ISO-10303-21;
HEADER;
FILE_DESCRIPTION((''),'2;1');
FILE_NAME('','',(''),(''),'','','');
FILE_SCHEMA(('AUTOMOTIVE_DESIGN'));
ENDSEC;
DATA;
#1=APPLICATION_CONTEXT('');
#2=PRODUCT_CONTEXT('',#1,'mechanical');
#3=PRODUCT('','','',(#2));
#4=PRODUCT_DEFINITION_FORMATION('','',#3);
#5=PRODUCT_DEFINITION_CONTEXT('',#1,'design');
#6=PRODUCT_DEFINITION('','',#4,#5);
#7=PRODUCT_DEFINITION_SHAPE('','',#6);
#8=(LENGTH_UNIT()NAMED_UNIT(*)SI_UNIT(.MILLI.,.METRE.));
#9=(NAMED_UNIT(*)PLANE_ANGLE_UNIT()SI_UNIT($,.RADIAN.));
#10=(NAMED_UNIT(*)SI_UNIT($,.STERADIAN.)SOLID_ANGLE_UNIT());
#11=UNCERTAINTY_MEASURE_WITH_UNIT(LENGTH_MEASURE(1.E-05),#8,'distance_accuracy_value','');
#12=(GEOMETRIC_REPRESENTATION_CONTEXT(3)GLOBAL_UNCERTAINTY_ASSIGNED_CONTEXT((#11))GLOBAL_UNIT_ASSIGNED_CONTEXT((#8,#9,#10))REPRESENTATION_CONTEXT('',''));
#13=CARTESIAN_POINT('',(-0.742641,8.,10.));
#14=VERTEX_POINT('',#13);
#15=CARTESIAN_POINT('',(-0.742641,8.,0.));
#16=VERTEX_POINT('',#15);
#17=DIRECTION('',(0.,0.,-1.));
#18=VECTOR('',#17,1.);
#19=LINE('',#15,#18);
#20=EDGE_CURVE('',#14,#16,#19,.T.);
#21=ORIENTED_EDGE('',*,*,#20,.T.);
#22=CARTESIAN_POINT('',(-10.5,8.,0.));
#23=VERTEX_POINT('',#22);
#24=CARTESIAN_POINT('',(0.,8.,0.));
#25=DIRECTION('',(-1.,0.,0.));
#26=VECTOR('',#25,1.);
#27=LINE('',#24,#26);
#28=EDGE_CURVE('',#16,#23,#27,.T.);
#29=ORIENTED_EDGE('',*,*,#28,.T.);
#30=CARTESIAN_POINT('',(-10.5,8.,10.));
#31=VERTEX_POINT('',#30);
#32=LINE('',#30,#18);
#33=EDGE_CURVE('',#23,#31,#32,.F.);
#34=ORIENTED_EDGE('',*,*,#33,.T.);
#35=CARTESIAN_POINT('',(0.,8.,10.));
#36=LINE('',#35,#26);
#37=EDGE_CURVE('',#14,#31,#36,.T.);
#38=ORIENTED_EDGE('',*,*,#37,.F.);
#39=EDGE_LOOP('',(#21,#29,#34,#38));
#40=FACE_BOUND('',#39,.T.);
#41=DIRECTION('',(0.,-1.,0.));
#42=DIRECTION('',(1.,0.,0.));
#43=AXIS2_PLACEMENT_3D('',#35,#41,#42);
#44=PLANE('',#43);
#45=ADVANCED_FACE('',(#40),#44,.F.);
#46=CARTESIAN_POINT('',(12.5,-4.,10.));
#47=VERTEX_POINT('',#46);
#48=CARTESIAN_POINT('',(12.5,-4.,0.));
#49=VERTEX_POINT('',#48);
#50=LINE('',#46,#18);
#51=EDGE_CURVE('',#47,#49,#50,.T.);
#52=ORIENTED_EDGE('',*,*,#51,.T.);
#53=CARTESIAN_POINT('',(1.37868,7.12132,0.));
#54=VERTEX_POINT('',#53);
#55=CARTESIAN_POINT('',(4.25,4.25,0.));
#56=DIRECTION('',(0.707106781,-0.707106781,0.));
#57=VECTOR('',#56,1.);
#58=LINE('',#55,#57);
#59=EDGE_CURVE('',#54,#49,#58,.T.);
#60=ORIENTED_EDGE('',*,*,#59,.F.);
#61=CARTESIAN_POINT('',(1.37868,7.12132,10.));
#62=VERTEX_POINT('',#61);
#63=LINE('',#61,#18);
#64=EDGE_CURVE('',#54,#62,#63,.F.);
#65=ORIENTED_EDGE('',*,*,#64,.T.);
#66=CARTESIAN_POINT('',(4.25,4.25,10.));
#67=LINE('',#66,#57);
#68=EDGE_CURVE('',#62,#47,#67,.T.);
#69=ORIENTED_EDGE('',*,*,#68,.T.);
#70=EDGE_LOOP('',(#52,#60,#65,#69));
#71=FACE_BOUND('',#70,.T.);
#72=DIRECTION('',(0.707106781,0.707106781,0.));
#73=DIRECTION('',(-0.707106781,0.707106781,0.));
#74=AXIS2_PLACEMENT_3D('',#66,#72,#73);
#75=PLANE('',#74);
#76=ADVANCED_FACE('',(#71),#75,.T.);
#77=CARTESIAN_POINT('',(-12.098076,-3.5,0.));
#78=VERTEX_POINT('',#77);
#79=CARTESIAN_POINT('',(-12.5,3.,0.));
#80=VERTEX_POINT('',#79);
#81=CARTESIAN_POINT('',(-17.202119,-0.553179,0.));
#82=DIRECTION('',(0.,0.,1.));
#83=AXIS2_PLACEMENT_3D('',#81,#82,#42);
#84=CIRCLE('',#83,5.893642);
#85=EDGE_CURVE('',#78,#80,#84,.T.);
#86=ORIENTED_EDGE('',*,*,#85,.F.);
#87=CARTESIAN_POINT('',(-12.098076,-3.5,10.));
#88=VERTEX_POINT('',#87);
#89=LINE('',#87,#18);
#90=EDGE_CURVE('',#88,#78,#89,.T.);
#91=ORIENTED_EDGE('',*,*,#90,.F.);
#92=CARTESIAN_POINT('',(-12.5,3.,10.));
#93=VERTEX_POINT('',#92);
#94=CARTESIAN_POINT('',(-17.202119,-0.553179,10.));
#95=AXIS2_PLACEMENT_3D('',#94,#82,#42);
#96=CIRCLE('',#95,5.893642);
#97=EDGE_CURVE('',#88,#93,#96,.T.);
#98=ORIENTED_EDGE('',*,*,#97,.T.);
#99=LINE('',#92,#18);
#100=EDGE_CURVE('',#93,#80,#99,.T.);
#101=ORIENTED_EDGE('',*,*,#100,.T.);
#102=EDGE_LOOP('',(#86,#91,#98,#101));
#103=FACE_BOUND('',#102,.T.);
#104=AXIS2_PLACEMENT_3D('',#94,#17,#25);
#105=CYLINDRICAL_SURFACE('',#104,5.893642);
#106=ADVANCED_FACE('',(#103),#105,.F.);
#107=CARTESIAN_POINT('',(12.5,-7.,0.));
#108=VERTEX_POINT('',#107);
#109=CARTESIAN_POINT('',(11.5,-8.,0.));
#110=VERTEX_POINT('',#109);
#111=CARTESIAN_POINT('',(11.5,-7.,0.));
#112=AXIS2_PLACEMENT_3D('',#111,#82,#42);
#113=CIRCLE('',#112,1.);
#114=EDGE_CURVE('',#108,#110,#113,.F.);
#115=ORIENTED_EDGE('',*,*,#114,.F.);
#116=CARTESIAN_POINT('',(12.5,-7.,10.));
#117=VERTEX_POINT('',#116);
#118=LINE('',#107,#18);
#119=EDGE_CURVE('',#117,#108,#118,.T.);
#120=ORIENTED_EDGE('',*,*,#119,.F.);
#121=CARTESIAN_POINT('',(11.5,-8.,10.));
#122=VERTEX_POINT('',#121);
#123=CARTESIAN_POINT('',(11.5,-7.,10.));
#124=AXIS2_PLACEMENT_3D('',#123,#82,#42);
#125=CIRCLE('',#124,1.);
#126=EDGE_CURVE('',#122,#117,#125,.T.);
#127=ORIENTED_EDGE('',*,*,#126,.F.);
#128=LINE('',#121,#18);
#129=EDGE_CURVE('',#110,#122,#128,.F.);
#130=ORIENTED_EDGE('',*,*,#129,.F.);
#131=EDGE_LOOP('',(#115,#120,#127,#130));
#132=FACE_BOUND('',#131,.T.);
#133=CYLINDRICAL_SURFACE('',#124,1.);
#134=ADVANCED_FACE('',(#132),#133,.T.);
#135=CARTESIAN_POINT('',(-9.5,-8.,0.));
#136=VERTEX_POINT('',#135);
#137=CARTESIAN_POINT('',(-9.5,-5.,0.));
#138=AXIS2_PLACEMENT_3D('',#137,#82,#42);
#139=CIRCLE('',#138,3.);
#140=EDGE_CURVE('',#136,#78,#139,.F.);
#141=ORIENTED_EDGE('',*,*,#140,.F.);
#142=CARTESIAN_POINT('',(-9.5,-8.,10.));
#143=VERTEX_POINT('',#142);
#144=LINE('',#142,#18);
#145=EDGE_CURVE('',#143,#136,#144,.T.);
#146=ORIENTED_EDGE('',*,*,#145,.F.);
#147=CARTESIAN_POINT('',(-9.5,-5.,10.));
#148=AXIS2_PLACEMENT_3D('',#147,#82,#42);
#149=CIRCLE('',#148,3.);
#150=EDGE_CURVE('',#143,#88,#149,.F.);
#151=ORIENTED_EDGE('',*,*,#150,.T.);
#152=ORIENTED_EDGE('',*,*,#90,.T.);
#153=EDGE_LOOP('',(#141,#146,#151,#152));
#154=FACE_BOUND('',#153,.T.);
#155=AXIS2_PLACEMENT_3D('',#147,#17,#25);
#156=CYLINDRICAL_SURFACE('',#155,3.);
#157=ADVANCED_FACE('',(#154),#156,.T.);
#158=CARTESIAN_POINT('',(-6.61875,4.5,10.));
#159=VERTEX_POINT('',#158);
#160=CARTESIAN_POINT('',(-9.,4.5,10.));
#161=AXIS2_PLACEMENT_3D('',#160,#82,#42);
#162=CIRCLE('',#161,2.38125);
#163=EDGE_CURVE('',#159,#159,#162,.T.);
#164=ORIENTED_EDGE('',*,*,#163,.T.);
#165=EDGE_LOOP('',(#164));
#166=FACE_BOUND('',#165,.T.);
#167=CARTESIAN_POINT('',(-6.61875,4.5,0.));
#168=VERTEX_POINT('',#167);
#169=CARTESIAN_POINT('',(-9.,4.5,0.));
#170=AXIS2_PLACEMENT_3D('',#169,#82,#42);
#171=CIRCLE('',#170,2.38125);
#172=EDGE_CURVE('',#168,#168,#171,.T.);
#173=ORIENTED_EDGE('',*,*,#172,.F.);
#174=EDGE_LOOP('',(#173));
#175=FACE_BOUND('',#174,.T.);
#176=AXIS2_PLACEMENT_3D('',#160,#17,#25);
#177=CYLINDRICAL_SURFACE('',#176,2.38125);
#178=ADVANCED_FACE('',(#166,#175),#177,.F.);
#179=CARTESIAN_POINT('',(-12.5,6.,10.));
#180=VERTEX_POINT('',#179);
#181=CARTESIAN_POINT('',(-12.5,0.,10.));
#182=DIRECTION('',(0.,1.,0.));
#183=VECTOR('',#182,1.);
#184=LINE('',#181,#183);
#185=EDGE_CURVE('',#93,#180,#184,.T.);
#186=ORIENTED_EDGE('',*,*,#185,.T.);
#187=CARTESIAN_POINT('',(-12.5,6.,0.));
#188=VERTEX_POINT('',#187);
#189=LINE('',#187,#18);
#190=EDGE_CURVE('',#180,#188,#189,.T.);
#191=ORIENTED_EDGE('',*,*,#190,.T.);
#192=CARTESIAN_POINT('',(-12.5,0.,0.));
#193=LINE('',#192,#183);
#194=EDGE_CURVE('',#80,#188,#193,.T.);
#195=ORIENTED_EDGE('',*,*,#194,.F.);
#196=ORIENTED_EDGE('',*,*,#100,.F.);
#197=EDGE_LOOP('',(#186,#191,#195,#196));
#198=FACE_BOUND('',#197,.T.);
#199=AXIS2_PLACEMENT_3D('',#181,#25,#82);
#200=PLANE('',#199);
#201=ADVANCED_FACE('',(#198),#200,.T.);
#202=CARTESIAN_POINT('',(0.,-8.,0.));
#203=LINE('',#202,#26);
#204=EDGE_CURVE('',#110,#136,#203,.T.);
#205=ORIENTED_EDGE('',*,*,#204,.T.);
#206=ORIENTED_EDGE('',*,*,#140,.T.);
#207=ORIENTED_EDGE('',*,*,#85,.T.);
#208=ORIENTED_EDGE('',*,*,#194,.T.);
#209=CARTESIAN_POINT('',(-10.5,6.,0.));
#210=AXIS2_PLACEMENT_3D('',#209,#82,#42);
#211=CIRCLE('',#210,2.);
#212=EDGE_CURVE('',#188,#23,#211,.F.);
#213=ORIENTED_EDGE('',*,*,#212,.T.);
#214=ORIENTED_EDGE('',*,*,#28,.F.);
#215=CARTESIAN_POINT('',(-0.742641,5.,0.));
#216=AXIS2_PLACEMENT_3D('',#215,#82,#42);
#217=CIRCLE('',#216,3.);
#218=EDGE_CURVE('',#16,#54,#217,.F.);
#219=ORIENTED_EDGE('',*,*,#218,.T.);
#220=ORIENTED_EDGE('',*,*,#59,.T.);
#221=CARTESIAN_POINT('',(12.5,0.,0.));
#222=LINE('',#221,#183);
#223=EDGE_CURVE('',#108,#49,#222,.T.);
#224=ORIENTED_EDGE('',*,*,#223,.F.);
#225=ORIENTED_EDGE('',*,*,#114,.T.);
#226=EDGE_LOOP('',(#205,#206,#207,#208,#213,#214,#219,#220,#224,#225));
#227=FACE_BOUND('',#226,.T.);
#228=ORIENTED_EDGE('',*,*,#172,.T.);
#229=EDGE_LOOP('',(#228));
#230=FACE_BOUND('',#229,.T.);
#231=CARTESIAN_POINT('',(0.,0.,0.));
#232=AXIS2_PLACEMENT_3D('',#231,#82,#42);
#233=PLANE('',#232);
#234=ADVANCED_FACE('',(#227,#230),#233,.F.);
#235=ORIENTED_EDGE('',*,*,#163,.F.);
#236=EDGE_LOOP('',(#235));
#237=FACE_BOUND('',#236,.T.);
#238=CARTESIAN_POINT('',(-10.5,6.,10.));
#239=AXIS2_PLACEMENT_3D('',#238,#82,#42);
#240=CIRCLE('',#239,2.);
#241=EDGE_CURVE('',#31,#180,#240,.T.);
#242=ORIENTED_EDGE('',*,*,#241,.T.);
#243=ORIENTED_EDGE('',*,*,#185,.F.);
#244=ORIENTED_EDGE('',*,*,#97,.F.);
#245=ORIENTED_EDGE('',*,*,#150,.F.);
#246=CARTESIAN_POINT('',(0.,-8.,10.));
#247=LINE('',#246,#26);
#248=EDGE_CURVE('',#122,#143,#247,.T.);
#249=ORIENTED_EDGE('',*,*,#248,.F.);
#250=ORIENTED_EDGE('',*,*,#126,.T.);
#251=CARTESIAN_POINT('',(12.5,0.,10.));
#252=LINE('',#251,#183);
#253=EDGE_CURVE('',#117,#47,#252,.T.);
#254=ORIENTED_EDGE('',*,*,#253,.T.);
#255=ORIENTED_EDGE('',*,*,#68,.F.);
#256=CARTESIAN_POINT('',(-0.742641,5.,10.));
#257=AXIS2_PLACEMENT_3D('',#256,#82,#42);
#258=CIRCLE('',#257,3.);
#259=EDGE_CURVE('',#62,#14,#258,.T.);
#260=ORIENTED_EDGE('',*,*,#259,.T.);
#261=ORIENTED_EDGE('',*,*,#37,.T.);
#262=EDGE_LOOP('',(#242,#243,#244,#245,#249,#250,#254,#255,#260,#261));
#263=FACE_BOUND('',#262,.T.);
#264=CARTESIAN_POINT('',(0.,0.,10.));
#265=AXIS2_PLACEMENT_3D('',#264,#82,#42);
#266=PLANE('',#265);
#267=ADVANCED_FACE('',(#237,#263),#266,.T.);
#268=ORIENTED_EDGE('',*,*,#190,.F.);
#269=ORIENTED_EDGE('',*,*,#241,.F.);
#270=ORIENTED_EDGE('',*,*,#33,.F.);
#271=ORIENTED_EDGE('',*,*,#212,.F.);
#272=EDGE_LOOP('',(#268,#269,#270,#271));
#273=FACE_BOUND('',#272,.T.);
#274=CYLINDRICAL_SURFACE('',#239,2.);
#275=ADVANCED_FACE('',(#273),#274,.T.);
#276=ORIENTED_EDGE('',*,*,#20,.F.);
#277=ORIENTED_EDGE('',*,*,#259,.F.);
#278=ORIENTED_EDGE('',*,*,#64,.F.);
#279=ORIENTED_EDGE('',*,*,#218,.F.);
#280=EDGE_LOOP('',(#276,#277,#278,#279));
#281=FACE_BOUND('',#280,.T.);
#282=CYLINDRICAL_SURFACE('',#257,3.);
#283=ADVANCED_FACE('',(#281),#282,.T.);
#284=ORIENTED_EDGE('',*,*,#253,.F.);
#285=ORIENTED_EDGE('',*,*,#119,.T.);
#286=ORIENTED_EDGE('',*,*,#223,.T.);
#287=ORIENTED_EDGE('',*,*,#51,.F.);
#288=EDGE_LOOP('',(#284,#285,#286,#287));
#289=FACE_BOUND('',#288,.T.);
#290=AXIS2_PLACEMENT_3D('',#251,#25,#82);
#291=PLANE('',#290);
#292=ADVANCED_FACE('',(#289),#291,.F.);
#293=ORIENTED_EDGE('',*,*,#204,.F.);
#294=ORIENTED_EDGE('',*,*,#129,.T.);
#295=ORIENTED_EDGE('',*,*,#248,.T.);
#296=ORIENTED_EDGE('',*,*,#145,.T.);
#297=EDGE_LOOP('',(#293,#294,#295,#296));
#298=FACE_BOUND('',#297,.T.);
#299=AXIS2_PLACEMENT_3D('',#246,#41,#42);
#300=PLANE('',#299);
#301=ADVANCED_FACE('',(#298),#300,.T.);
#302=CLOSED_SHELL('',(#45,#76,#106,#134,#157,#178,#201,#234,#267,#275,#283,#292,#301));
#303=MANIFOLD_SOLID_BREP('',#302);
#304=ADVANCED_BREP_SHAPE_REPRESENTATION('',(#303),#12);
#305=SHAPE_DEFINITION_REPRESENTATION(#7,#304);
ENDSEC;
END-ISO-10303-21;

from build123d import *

# Parameters (mm, degrees)
SKETCH1_R           = 2.38125
BOSS_EXTRUDE1_DEPTH = 10
FILLET5_R           = 3
FILLET6_R           = 1
FILLET7_R           = 2


with BuildPart() as part:
    # Sketch1 → Boss-Extrude1 (new body)
    with BuildSketch(Plane.XY):
        with BuildLine():
            Line((12.5, -4), (0.5, 8))
            Line((0.5, 8), (-12.5, 8))
            Line((-12.5, 8), (-12.5, 3))
            ThreePointArc((-12.5, 3), (-11.31971292, -0.189443986), (-12.098076211, -3.5))
            ThreePointArc((-12.098076211, -3.5), (-12.397777479, -4.223542865), (-12.5, -5))
            ThreePointArc((-12.5, -5), (-11.621320344, -7.121320344), (-9.5, -8))
            Line((-9.5, -8), (12.5, -8))
            Line((12.5, -8), (12.5, -4))
        make_face()
        with Locations((-9, 4.5)):
            Circle(SKETCH1_R, mode=Mode.SUBTRACT)
    extrude(amount=BOSS_EXTRUDE1_DEPTH)

    # Fillet5
    fillet5_edges = [part.edges().sort_by_distance(p)[0] for p in [
        (0.5, 8, 5),
    ]]
    fillet(fillet5_edges, radius=FILLET5_R)

    # Fillet6
    fillet6_edges = [part.edges().sort_by_distance(p)[0] for p in [
        (12.5, -8, 5),
    ]]
    fillet(fillet6_edges, radius=FILLET6_R)

    # Fillet7
    fillet7_edges = [part.edges().sort_by_distance(p)[0] for p in [
        (-12.5, 8, 5),
    ]]
    fillet(fillet7_edges, radius=FILLET7_R)


solid = part.part
